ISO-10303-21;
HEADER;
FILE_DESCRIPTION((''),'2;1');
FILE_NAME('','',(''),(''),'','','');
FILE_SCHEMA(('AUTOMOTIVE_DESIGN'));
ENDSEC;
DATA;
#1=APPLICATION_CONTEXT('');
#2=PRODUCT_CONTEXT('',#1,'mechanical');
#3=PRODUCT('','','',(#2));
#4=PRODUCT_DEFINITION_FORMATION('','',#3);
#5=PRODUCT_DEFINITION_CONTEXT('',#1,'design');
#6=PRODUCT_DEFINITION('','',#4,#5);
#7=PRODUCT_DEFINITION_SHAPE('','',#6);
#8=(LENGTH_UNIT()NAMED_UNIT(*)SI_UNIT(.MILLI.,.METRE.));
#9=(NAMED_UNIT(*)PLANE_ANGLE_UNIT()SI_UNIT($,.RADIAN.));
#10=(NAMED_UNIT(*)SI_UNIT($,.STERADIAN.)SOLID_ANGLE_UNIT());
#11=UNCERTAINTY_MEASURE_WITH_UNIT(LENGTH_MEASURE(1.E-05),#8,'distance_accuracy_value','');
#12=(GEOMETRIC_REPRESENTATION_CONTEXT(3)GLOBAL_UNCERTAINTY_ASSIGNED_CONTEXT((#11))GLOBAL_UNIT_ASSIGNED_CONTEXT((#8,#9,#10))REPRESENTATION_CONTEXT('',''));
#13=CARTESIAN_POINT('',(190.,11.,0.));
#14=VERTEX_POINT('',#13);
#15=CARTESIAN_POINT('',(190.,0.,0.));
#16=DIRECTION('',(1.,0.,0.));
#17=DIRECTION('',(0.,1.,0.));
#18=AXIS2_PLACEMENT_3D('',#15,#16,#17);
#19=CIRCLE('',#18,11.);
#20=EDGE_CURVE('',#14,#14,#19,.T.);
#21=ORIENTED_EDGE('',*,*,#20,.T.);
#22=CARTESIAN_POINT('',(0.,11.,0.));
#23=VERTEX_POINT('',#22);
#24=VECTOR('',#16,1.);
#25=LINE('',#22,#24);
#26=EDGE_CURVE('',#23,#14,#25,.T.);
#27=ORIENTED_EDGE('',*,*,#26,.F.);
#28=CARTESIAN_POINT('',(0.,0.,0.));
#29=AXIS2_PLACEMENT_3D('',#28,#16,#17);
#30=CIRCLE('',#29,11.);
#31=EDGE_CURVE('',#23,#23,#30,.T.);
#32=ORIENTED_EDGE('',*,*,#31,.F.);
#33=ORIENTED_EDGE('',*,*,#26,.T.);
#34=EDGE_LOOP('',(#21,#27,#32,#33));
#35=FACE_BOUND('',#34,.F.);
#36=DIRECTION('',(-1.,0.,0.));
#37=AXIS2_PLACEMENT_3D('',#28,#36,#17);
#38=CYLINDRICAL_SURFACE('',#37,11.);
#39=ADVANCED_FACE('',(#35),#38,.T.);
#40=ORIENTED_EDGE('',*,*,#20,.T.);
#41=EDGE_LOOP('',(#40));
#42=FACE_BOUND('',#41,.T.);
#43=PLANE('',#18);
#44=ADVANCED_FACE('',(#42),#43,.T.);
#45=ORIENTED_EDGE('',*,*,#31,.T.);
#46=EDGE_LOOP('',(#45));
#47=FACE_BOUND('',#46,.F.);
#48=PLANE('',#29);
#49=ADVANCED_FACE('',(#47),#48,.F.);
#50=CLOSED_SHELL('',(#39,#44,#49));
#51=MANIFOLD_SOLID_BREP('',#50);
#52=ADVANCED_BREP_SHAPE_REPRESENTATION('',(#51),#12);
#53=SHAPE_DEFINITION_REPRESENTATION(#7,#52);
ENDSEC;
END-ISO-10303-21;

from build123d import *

# Parameters (mm, degrees)
SKETCH_R  = 11
PAD_DEPTH = 190


with BuildPart() as part:
    # Sketch → Pad (new body)
    with BuildSketch(Plane.YZ):
        Circle(SKETCH_R)
    extrude(amount=PAD_DEPTH)


solid = part.part
